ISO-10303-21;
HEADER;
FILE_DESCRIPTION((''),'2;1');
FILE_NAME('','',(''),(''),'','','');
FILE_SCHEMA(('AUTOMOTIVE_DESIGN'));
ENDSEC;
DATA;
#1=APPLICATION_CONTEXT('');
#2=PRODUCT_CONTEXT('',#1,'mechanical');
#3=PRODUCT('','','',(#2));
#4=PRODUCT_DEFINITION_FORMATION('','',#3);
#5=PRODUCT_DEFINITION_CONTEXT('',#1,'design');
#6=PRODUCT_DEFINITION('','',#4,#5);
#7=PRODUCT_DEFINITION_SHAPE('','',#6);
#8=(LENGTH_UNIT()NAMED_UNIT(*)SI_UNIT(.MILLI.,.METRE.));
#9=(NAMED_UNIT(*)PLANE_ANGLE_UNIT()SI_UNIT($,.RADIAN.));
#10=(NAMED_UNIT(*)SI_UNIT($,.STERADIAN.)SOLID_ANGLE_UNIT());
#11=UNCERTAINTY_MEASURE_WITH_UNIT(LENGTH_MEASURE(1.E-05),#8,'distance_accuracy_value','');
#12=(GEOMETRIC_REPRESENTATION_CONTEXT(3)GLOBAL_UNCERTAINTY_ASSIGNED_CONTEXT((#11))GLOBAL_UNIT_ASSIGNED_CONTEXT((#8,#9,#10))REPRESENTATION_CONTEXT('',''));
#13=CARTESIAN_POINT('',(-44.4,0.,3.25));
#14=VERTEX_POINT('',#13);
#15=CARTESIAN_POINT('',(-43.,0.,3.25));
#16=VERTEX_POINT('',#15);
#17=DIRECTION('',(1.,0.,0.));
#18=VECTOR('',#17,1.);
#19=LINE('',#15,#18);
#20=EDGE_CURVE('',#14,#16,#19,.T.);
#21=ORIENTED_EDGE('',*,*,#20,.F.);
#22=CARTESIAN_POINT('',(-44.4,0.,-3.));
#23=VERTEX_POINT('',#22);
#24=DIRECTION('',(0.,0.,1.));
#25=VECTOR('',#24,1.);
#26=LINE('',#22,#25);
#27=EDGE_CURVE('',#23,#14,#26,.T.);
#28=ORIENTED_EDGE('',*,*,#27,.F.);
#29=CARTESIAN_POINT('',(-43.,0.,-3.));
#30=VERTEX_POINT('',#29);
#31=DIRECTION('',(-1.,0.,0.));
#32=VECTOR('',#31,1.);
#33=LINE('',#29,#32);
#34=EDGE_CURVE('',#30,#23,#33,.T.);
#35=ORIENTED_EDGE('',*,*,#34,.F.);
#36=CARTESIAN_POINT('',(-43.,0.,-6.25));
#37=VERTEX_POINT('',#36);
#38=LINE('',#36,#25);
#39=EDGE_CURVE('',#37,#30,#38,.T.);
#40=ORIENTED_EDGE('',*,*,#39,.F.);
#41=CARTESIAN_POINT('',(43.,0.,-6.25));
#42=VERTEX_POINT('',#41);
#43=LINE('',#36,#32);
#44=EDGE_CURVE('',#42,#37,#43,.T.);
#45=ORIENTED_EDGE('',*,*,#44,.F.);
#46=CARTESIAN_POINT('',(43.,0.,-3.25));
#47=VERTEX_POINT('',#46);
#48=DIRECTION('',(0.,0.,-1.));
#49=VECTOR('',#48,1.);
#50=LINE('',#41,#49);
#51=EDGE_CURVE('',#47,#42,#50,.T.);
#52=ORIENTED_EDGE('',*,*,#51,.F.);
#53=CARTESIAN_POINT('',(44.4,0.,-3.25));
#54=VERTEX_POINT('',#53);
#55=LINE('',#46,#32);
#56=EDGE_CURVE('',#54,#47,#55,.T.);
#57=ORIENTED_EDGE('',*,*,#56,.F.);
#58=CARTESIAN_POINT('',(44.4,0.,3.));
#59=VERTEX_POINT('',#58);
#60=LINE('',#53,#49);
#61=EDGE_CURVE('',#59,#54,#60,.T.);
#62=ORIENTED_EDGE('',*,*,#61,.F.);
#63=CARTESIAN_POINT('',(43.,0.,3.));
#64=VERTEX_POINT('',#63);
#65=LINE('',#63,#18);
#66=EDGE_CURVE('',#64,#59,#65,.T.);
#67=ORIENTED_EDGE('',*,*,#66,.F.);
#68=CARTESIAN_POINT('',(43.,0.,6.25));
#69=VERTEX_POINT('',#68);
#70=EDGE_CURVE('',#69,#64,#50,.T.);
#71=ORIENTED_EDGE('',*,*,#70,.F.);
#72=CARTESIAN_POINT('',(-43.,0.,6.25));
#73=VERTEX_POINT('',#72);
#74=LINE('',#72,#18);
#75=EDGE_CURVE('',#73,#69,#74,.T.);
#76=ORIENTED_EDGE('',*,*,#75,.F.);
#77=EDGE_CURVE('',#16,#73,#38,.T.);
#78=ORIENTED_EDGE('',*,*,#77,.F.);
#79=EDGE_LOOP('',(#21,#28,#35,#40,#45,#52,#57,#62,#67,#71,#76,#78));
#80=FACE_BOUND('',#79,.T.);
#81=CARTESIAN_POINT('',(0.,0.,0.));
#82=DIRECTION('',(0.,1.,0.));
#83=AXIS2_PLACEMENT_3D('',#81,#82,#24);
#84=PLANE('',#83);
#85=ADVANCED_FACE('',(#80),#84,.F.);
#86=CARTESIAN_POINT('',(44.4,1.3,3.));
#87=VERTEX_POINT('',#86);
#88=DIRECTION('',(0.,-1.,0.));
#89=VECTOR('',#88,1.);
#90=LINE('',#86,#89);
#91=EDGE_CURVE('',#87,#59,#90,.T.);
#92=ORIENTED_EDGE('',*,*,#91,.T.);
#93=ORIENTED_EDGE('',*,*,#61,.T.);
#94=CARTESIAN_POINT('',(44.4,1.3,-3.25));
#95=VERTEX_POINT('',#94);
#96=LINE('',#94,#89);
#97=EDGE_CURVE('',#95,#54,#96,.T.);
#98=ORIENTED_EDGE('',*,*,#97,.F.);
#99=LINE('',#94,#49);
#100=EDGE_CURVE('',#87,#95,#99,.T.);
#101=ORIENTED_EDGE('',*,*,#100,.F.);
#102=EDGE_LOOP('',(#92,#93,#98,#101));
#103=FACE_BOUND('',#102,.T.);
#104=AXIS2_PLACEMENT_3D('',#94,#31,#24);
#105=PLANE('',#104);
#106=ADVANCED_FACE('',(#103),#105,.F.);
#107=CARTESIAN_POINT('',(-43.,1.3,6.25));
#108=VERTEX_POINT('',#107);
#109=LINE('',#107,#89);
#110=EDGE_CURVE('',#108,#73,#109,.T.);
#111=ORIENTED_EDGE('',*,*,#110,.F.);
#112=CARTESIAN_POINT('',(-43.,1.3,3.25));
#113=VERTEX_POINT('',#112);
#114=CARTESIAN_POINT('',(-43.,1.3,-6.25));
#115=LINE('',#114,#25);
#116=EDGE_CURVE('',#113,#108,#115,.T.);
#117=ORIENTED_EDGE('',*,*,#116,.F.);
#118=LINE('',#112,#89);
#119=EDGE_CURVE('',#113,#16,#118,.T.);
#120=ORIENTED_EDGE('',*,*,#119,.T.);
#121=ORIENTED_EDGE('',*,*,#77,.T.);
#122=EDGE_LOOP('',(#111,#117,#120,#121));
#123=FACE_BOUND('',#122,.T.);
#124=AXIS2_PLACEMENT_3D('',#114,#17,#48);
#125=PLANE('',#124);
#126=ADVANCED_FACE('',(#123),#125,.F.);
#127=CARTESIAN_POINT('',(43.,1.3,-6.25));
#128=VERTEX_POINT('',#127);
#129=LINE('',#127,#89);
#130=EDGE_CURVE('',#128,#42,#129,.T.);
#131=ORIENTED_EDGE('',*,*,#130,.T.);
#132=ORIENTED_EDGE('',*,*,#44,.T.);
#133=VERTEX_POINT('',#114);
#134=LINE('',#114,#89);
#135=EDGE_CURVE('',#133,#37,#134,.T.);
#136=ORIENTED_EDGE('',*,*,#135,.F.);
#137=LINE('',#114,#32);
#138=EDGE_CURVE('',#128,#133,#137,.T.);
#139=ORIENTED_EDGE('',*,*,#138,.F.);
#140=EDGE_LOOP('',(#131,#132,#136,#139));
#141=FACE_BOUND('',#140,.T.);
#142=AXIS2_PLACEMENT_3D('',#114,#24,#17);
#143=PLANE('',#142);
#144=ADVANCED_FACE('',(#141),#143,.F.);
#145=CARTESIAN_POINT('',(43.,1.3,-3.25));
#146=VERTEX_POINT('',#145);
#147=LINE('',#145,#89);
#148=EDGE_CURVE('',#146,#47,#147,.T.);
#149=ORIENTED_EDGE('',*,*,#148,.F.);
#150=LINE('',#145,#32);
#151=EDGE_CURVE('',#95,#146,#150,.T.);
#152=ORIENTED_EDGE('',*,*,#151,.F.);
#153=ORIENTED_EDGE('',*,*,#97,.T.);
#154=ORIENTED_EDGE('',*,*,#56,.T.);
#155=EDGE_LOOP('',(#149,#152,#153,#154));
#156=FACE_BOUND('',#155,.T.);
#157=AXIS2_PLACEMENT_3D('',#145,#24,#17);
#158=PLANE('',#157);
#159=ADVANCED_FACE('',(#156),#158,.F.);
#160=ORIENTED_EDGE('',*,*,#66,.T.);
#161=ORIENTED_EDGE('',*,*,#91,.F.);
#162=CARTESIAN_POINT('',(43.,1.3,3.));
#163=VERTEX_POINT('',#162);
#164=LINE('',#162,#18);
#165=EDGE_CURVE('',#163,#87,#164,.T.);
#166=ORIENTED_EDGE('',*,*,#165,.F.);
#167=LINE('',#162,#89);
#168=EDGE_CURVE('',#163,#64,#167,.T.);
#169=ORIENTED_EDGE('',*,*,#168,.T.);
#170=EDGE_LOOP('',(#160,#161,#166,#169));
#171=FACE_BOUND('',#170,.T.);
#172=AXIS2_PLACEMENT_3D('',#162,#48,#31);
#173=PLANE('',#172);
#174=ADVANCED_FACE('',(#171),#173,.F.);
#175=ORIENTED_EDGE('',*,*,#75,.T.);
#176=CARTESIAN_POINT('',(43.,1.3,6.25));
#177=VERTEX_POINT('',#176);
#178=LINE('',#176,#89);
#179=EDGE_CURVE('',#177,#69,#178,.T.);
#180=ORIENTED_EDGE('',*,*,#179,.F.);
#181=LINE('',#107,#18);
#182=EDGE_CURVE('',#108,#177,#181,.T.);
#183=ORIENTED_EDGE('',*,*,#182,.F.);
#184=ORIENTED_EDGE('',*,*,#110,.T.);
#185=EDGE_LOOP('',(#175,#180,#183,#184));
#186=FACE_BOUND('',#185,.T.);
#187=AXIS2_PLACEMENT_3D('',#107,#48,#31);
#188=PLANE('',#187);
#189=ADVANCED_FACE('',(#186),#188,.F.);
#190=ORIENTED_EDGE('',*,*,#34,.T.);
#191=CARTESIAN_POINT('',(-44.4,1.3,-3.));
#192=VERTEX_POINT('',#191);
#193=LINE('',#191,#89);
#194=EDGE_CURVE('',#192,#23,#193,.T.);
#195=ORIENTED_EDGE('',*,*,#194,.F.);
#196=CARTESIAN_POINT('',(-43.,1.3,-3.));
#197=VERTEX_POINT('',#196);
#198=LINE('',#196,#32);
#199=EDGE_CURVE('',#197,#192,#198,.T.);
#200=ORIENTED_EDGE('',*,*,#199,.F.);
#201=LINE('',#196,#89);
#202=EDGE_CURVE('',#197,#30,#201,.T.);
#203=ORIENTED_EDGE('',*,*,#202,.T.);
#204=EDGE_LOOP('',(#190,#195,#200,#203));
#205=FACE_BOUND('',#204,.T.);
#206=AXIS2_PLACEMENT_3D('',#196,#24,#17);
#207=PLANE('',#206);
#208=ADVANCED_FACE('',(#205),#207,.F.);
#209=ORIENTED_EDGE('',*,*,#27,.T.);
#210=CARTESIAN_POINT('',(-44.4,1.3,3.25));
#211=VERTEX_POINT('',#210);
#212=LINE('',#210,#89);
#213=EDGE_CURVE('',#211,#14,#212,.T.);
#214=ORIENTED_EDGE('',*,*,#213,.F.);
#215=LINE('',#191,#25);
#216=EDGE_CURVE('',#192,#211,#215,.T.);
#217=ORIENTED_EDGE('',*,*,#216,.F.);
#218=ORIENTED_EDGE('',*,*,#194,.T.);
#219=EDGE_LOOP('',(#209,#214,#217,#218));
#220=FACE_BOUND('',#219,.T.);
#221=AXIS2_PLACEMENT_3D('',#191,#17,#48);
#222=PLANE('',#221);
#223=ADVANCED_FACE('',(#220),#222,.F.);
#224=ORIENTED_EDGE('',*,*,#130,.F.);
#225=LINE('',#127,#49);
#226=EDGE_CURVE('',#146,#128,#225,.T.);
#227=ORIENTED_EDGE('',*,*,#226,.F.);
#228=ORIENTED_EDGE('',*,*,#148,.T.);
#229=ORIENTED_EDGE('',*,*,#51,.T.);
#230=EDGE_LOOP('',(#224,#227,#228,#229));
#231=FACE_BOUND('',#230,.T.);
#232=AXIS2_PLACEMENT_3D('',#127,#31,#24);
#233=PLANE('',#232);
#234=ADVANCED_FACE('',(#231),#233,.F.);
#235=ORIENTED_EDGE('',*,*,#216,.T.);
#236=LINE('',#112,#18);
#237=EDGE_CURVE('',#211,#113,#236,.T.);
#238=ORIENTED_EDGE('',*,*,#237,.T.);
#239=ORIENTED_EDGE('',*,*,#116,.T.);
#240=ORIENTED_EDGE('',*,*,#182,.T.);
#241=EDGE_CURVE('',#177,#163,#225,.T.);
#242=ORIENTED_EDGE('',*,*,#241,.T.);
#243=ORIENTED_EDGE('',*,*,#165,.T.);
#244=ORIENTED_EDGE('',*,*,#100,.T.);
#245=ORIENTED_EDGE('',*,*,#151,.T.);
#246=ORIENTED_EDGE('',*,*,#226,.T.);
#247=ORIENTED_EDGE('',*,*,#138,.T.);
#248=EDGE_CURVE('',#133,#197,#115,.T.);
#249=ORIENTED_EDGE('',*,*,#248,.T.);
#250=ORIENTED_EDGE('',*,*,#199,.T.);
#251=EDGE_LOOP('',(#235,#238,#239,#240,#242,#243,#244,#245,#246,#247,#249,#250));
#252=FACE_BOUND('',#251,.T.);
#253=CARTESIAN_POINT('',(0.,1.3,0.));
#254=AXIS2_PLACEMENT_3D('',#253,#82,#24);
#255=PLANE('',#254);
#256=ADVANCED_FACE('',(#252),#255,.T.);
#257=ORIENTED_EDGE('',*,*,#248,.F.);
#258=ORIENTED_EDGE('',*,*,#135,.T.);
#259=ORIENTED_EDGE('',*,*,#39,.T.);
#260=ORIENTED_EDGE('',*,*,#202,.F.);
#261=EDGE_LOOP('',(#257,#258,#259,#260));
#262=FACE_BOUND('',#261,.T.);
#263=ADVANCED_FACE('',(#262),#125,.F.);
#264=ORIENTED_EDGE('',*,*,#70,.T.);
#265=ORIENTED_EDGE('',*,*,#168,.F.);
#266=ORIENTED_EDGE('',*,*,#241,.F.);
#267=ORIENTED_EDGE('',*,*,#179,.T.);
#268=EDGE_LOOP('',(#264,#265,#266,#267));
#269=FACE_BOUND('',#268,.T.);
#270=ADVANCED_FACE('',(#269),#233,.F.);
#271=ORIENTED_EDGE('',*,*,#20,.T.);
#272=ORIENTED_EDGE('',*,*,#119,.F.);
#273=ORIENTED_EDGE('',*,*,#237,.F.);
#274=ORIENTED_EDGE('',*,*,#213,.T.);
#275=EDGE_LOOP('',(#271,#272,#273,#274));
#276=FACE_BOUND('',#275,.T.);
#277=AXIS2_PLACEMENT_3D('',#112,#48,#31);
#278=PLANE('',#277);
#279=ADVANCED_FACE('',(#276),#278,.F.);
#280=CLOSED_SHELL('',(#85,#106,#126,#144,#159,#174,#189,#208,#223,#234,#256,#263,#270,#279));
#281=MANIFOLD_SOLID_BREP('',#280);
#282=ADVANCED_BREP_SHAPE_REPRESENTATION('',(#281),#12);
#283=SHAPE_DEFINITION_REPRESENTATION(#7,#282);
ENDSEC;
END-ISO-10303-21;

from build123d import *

# Parameters (mm, degrees)
SKETCH1_W           = 86
SKETCH1_H           = 12.5
BOSS_EXTRUDE1_DEPTH = 1.3
SKETCH2_W           = 1.4
SKETCH2_H           = 6.25
BOSS_EXTRUDE2_DEPTH = 1.3


with BuildPart() as part:
    # Sketch1 → Boss-Extrude1 (new body)
    with BuildSketch(Plane(origin=(0, 0, 0), x_dir=(1, 0, 0), z_dir=(0, 1, 0))):
        Rectangle(SKETCH1_W, SKETCH1_H)
    extrude(amount=BOSS_EXTRUDE1_DEPTH)

    # Sketch2 → Boss-Extrude2 (add)
    with BuildSketch(Plane(origin=(0, 0, 0), x_dir=(1, 0, 0), z_dir=(0, 1, 0))):
        with Locations((-43.7, -0.125)):
            Rectangle(SKETCH2_W, SKETCH2_H)
        with Locations((43.7, 0.125)):
            Rectangle(SKETCH2_W, SKETCH2_H)
    extrude(amount=BOSS_EXTRUDE2_DEPTH)


solid = part.part
